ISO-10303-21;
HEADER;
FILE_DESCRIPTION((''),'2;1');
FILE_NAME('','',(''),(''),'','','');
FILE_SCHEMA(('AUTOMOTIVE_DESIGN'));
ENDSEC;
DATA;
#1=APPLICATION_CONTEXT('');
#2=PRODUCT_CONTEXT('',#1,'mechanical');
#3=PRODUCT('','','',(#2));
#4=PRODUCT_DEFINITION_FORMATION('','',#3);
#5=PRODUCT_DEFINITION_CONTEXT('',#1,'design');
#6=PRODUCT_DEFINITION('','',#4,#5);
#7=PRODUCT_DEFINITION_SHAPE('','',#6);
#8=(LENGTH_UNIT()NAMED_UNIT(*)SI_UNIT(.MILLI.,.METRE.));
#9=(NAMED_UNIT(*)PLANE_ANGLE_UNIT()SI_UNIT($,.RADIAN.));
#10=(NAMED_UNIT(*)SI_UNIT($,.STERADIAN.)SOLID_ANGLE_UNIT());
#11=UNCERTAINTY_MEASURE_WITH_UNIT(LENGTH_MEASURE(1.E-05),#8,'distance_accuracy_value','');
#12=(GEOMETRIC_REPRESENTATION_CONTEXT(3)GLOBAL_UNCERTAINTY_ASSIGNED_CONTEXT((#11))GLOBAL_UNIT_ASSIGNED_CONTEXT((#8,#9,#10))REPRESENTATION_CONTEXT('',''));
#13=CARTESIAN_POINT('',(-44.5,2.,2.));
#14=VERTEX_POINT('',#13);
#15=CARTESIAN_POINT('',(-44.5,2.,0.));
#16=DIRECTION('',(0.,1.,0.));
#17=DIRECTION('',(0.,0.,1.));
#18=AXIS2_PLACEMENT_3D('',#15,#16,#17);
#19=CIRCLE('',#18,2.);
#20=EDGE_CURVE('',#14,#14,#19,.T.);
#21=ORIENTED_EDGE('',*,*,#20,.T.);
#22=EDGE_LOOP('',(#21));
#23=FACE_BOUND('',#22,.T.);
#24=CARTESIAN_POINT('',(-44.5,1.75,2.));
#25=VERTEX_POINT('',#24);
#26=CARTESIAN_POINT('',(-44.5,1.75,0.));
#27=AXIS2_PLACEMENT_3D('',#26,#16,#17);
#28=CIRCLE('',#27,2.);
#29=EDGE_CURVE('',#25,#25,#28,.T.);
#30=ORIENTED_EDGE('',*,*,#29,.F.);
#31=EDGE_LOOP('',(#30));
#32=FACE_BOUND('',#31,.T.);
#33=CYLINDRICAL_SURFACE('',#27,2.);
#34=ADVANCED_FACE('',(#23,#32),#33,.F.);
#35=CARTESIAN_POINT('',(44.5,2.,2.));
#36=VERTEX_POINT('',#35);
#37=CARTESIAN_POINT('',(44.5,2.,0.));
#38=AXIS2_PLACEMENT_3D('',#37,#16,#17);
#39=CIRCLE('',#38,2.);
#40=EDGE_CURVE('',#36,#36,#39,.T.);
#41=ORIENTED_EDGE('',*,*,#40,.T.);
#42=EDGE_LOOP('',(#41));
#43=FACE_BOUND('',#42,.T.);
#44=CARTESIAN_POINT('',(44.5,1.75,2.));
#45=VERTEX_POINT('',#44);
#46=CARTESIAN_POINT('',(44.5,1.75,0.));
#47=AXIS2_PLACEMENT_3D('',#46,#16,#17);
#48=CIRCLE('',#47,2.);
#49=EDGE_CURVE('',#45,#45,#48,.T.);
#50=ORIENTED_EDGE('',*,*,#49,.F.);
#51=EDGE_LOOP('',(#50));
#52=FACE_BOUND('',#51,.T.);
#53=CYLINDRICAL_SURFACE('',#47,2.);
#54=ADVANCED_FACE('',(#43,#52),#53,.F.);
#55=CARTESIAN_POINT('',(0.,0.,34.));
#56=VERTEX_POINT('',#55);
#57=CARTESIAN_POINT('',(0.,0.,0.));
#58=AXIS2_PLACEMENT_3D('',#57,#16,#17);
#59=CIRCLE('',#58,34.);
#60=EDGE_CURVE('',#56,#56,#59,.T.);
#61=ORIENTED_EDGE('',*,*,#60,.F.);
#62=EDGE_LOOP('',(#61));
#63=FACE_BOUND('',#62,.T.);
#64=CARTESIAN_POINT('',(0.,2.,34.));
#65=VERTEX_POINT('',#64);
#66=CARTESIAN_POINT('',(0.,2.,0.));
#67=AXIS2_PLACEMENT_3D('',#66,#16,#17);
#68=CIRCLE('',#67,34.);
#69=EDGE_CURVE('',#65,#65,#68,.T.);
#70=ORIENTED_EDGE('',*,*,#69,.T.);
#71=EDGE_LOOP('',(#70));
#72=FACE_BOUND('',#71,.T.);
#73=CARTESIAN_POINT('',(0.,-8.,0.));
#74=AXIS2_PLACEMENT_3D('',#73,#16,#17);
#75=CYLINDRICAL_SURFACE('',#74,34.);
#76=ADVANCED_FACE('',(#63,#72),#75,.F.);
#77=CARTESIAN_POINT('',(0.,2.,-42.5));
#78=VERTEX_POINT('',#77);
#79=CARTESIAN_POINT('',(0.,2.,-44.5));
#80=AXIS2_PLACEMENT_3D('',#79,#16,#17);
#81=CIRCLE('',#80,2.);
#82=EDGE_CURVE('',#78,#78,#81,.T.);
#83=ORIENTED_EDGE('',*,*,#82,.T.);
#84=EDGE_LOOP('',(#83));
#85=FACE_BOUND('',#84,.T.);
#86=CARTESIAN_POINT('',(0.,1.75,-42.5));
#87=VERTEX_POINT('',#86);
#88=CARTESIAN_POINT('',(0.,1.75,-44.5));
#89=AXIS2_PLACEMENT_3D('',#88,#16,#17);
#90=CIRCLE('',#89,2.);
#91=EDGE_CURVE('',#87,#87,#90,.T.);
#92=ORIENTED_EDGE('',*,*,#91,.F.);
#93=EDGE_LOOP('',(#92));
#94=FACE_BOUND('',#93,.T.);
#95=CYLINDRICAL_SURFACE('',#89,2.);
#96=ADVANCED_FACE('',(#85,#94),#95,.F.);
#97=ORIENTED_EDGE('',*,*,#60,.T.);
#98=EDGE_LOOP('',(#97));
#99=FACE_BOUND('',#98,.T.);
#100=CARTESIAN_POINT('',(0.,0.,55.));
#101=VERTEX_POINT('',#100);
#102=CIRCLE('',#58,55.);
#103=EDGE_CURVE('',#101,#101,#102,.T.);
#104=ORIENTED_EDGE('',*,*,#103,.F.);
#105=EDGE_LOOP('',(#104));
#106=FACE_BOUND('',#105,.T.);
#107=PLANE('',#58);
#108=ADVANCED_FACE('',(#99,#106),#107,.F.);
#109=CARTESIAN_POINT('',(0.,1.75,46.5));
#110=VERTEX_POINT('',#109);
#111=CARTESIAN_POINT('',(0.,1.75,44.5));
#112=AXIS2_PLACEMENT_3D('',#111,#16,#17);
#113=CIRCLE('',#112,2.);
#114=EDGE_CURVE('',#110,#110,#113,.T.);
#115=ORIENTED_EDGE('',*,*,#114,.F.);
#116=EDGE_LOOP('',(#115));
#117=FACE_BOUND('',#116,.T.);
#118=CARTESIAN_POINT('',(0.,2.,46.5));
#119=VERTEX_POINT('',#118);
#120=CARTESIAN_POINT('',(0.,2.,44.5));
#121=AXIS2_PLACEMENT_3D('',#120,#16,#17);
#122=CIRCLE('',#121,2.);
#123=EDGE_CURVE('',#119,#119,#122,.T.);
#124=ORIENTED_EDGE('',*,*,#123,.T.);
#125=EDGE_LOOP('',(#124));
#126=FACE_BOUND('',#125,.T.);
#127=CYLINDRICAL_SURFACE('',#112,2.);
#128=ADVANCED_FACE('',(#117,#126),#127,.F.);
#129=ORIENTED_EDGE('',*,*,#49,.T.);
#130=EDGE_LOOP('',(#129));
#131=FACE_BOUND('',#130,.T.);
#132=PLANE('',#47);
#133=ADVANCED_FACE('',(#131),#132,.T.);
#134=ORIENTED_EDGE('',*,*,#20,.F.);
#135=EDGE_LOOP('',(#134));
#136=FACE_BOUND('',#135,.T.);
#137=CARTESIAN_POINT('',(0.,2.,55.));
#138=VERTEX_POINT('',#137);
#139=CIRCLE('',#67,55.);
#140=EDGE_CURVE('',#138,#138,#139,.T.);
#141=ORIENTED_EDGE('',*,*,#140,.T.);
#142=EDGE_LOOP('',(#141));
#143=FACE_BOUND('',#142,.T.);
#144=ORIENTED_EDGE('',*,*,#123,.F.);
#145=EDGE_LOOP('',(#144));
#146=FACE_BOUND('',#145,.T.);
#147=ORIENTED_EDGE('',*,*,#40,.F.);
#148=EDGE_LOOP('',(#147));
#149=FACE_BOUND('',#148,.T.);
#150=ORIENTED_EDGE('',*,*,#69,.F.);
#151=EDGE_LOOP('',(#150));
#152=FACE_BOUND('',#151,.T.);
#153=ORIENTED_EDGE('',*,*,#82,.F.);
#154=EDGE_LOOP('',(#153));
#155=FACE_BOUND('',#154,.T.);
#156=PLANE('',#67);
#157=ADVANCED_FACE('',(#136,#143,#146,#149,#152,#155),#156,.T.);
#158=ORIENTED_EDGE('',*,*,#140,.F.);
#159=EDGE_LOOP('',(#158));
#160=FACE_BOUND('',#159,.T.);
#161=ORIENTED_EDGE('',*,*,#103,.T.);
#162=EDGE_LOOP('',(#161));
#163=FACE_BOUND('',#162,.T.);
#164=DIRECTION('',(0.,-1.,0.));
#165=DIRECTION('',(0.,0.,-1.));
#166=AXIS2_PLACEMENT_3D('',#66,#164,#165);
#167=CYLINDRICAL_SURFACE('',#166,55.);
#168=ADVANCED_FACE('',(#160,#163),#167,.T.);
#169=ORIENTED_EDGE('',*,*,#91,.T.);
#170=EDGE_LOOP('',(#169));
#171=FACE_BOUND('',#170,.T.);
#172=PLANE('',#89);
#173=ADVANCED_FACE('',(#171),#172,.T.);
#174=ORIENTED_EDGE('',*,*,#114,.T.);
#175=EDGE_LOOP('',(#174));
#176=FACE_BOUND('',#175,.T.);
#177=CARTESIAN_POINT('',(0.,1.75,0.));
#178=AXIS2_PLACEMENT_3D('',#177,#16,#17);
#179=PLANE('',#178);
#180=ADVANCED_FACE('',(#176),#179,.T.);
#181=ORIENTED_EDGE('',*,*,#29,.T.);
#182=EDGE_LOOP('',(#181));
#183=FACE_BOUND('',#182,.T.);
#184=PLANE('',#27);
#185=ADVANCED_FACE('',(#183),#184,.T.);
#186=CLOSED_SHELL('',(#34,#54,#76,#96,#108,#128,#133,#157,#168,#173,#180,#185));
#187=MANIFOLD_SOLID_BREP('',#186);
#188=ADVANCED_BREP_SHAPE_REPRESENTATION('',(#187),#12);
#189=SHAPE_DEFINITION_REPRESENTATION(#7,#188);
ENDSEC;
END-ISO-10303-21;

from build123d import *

# Parameters (mm, degrees)
SKETCH1_R           = 55
BOSS_EXTRUDE1_DEPTH = 2
SKETCH2_R           = 2
CUT_EXTRUDE1_DEPTH  = 0.25
SKETCH3_R           = 34
CUT_EXTRUDE2_DEPTH  = 10


with BuildPart() as part:
    # Sketch1 → Boss-Extrude1 (new body)
    with BuildSketch(Plane(origin=(0, 0, 0), x_dir=(1, 0, 0), z_dir=(0, 1, 0))):
        Circle(SKETCH1_R)
    extrude(amount=BOSS_EXTRUDE1_DEPTH)

    # Sketch2 → Cut-Extrude1 (cut)
    with BuildSketch(Plane(origin=(0, 2, 0), x_dir=(1, 0, 0), z_dir=(0, 1, 0))):
        with Locations((0, 44.5)):
            Circle(SKETCH2_R)
        with Locations((44.5, 0)):
            Circle(SKETCH2_R)
        with Locations((0, -44.5)):
            Circle(SKETCH2_R)
        with Locations((-44.5, 0)):
            Circle(SKETCH2_R)
    extrude(amount=-CUT_EXTRUDE1_DEPTH, mode=Mode.SUBTRACT)

    # Sketch3 → Cut-Extrude2 (cut)
    with BuildSketch(Plane(origin=(0, 2, 0), x_dir=(1, 0, 0), z_dir=(0, 1, 0))):
        Circle(SKETCH3_R)
    extrude(amount=-CUT_EXTRUDE2_DEPTH, mode=Mode.SUBTRACT)


solid = part.part
